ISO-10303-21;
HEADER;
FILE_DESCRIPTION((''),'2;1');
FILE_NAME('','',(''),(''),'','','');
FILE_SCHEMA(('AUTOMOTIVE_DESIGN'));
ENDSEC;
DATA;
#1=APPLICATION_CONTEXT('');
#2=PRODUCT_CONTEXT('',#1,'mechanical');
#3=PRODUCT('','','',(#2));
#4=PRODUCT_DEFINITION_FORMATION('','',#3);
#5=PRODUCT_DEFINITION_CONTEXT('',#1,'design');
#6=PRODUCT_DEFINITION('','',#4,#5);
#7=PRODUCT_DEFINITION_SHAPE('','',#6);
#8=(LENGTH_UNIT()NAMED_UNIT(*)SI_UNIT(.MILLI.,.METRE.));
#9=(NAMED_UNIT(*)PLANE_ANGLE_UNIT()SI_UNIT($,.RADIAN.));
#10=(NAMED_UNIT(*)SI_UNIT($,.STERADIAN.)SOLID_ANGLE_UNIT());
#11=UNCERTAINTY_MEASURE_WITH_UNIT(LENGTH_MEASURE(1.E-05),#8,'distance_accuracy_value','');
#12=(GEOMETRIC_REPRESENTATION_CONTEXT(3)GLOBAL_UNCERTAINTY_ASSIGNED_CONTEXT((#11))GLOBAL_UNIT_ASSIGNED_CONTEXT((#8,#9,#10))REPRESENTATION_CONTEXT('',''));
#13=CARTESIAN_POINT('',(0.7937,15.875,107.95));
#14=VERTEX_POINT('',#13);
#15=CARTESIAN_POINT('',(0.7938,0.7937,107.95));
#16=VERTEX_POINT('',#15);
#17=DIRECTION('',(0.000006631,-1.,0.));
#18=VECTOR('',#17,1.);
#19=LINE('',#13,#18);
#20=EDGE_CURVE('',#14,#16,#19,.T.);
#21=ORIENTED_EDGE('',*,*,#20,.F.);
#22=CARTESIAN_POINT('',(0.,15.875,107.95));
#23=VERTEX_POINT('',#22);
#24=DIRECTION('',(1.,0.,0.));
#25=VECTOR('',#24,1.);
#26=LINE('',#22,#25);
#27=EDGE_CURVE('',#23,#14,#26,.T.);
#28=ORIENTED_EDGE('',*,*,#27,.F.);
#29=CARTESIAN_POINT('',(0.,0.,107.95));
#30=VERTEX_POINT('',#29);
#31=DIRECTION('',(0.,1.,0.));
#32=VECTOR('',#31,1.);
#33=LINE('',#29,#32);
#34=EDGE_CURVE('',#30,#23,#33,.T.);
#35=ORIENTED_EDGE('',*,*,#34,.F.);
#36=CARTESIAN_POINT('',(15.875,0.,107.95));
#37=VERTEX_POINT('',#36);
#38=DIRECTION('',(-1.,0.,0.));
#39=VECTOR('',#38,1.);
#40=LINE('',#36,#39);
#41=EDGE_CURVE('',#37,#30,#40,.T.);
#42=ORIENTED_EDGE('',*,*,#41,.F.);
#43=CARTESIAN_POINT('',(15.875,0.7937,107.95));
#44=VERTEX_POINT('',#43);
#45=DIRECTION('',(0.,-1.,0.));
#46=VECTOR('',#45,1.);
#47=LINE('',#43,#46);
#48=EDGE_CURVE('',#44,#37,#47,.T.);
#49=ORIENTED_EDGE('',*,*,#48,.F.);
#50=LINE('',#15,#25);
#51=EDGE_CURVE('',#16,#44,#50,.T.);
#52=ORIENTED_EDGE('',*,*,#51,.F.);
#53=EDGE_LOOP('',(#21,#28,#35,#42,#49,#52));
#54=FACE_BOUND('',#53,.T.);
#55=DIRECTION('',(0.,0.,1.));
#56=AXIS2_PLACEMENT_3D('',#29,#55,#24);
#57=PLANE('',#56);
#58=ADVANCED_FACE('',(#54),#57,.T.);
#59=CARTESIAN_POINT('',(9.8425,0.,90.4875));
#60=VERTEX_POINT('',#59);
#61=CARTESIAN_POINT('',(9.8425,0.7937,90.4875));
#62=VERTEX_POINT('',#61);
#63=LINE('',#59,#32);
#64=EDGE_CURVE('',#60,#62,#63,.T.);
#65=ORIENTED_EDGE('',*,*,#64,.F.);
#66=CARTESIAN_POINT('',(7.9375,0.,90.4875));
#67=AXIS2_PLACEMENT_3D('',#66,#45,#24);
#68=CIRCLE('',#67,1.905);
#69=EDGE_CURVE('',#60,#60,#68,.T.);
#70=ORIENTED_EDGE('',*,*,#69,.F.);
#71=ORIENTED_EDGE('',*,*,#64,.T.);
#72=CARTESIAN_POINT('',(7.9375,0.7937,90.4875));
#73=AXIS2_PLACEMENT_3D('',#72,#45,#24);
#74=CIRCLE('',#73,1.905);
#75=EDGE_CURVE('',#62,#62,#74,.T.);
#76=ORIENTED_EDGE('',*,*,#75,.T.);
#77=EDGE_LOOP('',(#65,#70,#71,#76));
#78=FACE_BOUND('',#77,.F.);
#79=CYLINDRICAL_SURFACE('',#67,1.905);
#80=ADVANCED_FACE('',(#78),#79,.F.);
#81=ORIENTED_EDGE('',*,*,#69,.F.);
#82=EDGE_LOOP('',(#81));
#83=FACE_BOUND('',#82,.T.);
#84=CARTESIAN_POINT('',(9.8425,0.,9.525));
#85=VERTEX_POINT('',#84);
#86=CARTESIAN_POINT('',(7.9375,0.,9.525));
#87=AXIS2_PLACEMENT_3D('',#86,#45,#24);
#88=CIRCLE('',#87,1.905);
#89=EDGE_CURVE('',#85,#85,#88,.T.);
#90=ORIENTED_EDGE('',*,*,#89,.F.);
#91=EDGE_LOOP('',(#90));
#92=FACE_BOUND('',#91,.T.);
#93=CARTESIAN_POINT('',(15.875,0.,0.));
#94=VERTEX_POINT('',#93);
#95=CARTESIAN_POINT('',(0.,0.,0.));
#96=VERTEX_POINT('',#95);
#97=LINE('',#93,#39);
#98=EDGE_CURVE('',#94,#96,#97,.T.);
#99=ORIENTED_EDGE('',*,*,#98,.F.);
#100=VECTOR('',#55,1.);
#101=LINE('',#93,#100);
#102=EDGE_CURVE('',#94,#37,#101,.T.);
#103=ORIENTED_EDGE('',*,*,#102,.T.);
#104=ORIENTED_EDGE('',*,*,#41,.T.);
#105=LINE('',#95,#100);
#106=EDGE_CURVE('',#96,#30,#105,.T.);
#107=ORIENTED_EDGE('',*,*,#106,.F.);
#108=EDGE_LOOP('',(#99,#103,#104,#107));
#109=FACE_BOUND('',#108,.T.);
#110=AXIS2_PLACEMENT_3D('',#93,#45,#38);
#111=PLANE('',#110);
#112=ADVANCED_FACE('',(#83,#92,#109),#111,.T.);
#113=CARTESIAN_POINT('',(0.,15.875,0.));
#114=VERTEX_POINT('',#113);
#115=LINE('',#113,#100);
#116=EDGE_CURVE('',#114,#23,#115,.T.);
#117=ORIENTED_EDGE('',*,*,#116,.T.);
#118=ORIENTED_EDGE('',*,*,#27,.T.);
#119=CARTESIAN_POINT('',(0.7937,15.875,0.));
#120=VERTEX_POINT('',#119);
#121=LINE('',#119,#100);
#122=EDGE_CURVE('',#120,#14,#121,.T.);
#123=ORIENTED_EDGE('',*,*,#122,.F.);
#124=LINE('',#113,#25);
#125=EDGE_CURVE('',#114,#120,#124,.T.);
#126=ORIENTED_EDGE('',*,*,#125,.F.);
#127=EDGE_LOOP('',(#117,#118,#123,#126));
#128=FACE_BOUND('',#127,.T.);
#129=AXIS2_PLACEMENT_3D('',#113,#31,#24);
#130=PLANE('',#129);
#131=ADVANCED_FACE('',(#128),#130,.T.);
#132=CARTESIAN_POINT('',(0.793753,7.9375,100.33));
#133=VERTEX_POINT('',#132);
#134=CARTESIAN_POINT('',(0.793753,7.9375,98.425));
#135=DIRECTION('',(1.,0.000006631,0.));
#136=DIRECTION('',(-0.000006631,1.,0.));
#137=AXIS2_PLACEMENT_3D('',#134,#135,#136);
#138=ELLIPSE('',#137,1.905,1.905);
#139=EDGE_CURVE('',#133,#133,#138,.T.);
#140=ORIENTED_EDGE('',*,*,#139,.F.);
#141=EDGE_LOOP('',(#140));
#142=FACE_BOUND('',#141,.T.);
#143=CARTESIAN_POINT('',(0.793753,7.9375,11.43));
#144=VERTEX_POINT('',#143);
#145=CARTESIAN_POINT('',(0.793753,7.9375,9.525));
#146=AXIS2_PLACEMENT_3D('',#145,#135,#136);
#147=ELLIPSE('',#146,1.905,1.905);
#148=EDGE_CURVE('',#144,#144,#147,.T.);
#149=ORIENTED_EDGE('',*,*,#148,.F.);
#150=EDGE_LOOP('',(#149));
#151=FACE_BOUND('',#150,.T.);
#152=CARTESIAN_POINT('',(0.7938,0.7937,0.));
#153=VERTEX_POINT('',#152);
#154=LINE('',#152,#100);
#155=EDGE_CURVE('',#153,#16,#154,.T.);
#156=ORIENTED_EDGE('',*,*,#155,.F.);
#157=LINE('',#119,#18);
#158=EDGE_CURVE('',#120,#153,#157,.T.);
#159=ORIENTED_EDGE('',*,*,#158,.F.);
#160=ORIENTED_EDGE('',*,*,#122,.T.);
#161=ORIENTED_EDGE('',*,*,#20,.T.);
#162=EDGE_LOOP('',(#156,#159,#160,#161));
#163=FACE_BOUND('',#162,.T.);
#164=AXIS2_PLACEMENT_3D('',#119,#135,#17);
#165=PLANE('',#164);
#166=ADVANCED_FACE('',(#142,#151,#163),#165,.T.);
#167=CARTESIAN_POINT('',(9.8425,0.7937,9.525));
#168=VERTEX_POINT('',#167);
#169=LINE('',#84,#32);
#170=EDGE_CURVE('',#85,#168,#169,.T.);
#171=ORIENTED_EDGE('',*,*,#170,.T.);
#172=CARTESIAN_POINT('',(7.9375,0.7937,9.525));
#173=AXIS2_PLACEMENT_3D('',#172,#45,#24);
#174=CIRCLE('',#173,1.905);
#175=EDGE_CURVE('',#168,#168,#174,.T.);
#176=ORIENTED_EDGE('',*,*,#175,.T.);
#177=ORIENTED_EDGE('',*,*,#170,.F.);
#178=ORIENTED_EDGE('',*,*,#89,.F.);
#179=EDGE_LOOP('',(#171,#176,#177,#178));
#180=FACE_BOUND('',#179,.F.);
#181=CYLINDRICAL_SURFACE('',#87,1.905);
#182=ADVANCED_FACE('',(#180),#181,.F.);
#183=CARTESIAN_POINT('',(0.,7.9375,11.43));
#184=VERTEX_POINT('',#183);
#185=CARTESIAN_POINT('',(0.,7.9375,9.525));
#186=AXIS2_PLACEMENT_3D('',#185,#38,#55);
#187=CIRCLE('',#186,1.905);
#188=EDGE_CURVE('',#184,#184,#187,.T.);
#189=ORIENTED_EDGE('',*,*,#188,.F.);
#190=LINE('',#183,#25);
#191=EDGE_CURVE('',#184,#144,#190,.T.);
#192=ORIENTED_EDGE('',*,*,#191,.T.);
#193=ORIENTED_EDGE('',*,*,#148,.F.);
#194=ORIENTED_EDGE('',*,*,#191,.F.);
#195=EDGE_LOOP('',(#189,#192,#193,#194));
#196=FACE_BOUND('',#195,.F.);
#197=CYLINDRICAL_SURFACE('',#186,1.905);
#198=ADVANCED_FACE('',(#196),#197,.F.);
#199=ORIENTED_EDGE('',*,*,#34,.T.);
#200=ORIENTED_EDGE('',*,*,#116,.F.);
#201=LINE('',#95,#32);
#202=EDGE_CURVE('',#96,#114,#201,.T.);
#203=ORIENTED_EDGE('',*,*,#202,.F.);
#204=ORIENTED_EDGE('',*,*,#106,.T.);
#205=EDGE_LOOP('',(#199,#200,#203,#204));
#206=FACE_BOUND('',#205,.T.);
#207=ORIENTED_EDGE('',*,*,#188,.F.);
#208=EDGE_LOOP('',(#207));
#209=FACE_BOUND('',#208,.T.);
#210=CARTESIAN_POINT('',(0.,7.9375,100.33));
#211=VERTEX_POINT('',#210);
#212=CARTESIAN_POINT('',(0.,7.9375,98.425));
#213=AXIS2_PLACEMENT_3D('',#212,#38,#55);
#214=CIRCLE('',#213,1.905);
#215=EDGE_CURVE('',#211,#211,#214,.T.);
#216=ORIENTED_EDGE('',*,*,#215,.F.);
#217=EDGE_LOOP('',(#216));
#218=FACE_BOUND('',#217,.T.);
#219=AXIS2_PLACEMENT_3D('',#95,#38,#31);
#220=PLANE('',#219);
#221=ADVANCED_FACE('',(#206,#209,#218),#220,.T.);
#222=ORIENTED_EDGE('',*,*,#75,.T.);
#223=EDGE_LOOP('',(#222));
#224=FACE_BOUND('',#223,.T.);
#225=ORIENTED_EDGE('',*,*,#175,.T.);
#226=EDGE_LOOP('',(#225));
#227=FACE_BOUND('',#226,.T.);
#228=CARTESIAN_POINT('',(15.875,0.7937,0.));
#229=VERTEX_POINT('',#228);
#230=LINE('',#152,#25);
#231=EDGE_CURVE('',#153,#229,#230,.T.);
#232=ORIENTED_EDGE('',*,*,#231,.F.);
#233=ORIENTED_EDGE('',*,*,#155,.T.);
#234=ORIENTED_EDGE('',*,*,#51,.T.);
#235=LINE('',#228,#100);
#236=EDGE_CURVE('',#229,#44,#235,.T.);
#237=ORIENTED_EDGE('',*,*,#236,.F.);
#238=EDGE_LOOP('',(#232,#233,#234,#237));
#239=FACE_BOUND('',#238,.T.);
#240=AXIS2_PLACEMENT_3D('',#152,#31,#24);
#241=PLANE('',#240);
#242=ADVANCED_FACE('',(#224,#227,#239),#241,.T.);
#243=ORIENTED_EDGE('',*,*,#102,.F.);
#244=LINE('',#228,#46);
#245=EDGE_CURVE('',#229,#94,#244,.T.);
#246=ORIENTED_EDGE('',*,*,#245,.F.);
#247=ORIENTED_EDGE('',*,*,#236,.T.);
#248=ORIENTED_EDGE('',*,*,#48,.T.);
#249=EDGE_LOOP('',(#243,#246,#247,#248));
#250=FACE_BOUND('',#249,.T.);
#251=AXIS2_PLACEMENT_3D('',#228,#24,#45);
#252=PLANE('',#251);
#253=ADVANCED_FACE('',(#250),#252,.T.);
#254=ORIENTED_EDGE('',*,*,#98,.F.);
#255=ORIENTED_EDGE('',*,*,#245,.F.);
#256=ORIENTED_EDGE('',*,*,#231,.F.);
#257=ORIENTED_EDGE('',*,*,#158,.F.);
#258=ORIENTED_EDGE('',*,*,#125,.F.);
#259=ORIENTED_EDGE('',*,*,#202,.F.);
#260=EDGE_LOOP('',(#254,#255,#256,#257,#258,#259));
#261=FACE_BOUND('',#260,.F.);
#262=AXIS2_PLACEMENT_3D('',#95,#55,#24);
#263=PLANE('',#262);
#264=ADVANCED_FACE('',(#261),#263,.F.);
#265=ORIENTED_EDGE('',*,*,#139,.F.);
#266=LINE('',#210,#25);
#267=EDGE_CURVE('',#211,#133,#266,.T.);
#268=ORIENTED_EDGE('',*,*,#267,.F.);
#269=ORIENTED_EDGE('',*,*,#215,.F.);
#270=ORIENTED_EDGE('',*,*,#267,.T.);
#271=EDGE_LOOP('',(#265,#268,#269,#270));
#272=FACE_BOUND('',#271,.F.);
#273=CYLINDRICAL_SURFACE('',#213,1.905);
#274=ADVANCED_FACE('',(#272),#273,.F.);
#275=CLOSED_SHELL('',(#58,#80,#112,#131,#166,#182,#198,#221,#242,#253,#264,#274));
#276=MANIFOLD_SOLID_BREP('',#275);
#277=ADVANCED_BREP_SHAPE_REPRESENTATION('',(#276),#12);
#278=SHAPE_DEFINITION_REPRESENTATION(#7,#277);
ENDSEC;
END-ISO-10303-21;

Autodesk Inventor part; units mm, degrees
ref_plane "YZ Plane" through (0, 0, 0) normal (1, 0, 0) x (0, 1, 0)
ref_plane "XZ Plane" through (0, 0, 0) normal (0, 1, 0) x (-1, 0, 0)
ref_plane "XY Plane" through (0, 0, 0) normal (0, 0, 1) x (1, 0, 0)
sketch "Sketch1" plane through (0, 0, 0) normal (0, 0, 1) x (1, 0, 0)
  line L0 (0, 0) -> (0, 15.875)
  line L1 (0, 15.875) -> (0.7937, 15.875)
  line L2 (0.7937, 15.875) -> (0.7938, 0.7937)
  line L3 (0.7938, 0.7937) -> (15.875, 0.7937)
  line L4 (15.875, 0.7937) -> (15.875, 0)
  line L5 (15.875, 0) -> (0, 0)
  dimension "d0" = 15.875
  dimension "d1" = 0.7937
extrude "Extrusion1" add sketch "Sketch1" along normal blind 107.95
sketch "Sketch2" plane through (0, 0, 0) normal (0, -1, 0) x (1, 0, 0)
  line L0 (15.875, 0) -> (0, 0) projected
  line L1 (0, 107.95) -> (15.875, 107.95) projected
  line L2 (7.9375, 107.95) -> (7.9375, 0) construction
  circle A0 centre (7.9375, 90.4875) radius 1.905
  circle A1 centre (7.9375, 9.525) radius 1.905
  line L3 (257.175, 98.425) -> (-9.525, 98.425) construction
  line L4 (-15.875, 82.55) -> (187.325, 82.55) construction
  dimension "d4" = 3.81
  dimension "d6" = 17.4625
  dimension "d7" = 9.525
  dimension "d16" = 15.875
  dimension "d17" = 9.525
extrude "Extrusion2" cut sketch "Sketch2" against normal through all
sketch "Sketch3" plane through (0, 0, 0) normal (-1, 0, 0) x (0, 0, 1)
  line L0 (0, 0) -> (0, 15.875) projected
  line L1 (107.95, 15.875) -> (107.95, 0) projected
  line L2 (0, 7.9375) -> (107.95, 7.9375) construction
  circle A0 centre (9.525, 7.9375) radius 1.905
  circle A1 centre (98.425, 7.9375) radius 1.905
  dimension "d11" = 3.81
  dimension "d12" = 9.525
  dimension "d13" = 9.525
extrude "Extrusion3" cut sketch "Sketch3" against normal through all
equation "\"d6\" = d17 + 0.5 * d16"
properties part number "Hopper Bracing P2" material "Aluminum 6061"
